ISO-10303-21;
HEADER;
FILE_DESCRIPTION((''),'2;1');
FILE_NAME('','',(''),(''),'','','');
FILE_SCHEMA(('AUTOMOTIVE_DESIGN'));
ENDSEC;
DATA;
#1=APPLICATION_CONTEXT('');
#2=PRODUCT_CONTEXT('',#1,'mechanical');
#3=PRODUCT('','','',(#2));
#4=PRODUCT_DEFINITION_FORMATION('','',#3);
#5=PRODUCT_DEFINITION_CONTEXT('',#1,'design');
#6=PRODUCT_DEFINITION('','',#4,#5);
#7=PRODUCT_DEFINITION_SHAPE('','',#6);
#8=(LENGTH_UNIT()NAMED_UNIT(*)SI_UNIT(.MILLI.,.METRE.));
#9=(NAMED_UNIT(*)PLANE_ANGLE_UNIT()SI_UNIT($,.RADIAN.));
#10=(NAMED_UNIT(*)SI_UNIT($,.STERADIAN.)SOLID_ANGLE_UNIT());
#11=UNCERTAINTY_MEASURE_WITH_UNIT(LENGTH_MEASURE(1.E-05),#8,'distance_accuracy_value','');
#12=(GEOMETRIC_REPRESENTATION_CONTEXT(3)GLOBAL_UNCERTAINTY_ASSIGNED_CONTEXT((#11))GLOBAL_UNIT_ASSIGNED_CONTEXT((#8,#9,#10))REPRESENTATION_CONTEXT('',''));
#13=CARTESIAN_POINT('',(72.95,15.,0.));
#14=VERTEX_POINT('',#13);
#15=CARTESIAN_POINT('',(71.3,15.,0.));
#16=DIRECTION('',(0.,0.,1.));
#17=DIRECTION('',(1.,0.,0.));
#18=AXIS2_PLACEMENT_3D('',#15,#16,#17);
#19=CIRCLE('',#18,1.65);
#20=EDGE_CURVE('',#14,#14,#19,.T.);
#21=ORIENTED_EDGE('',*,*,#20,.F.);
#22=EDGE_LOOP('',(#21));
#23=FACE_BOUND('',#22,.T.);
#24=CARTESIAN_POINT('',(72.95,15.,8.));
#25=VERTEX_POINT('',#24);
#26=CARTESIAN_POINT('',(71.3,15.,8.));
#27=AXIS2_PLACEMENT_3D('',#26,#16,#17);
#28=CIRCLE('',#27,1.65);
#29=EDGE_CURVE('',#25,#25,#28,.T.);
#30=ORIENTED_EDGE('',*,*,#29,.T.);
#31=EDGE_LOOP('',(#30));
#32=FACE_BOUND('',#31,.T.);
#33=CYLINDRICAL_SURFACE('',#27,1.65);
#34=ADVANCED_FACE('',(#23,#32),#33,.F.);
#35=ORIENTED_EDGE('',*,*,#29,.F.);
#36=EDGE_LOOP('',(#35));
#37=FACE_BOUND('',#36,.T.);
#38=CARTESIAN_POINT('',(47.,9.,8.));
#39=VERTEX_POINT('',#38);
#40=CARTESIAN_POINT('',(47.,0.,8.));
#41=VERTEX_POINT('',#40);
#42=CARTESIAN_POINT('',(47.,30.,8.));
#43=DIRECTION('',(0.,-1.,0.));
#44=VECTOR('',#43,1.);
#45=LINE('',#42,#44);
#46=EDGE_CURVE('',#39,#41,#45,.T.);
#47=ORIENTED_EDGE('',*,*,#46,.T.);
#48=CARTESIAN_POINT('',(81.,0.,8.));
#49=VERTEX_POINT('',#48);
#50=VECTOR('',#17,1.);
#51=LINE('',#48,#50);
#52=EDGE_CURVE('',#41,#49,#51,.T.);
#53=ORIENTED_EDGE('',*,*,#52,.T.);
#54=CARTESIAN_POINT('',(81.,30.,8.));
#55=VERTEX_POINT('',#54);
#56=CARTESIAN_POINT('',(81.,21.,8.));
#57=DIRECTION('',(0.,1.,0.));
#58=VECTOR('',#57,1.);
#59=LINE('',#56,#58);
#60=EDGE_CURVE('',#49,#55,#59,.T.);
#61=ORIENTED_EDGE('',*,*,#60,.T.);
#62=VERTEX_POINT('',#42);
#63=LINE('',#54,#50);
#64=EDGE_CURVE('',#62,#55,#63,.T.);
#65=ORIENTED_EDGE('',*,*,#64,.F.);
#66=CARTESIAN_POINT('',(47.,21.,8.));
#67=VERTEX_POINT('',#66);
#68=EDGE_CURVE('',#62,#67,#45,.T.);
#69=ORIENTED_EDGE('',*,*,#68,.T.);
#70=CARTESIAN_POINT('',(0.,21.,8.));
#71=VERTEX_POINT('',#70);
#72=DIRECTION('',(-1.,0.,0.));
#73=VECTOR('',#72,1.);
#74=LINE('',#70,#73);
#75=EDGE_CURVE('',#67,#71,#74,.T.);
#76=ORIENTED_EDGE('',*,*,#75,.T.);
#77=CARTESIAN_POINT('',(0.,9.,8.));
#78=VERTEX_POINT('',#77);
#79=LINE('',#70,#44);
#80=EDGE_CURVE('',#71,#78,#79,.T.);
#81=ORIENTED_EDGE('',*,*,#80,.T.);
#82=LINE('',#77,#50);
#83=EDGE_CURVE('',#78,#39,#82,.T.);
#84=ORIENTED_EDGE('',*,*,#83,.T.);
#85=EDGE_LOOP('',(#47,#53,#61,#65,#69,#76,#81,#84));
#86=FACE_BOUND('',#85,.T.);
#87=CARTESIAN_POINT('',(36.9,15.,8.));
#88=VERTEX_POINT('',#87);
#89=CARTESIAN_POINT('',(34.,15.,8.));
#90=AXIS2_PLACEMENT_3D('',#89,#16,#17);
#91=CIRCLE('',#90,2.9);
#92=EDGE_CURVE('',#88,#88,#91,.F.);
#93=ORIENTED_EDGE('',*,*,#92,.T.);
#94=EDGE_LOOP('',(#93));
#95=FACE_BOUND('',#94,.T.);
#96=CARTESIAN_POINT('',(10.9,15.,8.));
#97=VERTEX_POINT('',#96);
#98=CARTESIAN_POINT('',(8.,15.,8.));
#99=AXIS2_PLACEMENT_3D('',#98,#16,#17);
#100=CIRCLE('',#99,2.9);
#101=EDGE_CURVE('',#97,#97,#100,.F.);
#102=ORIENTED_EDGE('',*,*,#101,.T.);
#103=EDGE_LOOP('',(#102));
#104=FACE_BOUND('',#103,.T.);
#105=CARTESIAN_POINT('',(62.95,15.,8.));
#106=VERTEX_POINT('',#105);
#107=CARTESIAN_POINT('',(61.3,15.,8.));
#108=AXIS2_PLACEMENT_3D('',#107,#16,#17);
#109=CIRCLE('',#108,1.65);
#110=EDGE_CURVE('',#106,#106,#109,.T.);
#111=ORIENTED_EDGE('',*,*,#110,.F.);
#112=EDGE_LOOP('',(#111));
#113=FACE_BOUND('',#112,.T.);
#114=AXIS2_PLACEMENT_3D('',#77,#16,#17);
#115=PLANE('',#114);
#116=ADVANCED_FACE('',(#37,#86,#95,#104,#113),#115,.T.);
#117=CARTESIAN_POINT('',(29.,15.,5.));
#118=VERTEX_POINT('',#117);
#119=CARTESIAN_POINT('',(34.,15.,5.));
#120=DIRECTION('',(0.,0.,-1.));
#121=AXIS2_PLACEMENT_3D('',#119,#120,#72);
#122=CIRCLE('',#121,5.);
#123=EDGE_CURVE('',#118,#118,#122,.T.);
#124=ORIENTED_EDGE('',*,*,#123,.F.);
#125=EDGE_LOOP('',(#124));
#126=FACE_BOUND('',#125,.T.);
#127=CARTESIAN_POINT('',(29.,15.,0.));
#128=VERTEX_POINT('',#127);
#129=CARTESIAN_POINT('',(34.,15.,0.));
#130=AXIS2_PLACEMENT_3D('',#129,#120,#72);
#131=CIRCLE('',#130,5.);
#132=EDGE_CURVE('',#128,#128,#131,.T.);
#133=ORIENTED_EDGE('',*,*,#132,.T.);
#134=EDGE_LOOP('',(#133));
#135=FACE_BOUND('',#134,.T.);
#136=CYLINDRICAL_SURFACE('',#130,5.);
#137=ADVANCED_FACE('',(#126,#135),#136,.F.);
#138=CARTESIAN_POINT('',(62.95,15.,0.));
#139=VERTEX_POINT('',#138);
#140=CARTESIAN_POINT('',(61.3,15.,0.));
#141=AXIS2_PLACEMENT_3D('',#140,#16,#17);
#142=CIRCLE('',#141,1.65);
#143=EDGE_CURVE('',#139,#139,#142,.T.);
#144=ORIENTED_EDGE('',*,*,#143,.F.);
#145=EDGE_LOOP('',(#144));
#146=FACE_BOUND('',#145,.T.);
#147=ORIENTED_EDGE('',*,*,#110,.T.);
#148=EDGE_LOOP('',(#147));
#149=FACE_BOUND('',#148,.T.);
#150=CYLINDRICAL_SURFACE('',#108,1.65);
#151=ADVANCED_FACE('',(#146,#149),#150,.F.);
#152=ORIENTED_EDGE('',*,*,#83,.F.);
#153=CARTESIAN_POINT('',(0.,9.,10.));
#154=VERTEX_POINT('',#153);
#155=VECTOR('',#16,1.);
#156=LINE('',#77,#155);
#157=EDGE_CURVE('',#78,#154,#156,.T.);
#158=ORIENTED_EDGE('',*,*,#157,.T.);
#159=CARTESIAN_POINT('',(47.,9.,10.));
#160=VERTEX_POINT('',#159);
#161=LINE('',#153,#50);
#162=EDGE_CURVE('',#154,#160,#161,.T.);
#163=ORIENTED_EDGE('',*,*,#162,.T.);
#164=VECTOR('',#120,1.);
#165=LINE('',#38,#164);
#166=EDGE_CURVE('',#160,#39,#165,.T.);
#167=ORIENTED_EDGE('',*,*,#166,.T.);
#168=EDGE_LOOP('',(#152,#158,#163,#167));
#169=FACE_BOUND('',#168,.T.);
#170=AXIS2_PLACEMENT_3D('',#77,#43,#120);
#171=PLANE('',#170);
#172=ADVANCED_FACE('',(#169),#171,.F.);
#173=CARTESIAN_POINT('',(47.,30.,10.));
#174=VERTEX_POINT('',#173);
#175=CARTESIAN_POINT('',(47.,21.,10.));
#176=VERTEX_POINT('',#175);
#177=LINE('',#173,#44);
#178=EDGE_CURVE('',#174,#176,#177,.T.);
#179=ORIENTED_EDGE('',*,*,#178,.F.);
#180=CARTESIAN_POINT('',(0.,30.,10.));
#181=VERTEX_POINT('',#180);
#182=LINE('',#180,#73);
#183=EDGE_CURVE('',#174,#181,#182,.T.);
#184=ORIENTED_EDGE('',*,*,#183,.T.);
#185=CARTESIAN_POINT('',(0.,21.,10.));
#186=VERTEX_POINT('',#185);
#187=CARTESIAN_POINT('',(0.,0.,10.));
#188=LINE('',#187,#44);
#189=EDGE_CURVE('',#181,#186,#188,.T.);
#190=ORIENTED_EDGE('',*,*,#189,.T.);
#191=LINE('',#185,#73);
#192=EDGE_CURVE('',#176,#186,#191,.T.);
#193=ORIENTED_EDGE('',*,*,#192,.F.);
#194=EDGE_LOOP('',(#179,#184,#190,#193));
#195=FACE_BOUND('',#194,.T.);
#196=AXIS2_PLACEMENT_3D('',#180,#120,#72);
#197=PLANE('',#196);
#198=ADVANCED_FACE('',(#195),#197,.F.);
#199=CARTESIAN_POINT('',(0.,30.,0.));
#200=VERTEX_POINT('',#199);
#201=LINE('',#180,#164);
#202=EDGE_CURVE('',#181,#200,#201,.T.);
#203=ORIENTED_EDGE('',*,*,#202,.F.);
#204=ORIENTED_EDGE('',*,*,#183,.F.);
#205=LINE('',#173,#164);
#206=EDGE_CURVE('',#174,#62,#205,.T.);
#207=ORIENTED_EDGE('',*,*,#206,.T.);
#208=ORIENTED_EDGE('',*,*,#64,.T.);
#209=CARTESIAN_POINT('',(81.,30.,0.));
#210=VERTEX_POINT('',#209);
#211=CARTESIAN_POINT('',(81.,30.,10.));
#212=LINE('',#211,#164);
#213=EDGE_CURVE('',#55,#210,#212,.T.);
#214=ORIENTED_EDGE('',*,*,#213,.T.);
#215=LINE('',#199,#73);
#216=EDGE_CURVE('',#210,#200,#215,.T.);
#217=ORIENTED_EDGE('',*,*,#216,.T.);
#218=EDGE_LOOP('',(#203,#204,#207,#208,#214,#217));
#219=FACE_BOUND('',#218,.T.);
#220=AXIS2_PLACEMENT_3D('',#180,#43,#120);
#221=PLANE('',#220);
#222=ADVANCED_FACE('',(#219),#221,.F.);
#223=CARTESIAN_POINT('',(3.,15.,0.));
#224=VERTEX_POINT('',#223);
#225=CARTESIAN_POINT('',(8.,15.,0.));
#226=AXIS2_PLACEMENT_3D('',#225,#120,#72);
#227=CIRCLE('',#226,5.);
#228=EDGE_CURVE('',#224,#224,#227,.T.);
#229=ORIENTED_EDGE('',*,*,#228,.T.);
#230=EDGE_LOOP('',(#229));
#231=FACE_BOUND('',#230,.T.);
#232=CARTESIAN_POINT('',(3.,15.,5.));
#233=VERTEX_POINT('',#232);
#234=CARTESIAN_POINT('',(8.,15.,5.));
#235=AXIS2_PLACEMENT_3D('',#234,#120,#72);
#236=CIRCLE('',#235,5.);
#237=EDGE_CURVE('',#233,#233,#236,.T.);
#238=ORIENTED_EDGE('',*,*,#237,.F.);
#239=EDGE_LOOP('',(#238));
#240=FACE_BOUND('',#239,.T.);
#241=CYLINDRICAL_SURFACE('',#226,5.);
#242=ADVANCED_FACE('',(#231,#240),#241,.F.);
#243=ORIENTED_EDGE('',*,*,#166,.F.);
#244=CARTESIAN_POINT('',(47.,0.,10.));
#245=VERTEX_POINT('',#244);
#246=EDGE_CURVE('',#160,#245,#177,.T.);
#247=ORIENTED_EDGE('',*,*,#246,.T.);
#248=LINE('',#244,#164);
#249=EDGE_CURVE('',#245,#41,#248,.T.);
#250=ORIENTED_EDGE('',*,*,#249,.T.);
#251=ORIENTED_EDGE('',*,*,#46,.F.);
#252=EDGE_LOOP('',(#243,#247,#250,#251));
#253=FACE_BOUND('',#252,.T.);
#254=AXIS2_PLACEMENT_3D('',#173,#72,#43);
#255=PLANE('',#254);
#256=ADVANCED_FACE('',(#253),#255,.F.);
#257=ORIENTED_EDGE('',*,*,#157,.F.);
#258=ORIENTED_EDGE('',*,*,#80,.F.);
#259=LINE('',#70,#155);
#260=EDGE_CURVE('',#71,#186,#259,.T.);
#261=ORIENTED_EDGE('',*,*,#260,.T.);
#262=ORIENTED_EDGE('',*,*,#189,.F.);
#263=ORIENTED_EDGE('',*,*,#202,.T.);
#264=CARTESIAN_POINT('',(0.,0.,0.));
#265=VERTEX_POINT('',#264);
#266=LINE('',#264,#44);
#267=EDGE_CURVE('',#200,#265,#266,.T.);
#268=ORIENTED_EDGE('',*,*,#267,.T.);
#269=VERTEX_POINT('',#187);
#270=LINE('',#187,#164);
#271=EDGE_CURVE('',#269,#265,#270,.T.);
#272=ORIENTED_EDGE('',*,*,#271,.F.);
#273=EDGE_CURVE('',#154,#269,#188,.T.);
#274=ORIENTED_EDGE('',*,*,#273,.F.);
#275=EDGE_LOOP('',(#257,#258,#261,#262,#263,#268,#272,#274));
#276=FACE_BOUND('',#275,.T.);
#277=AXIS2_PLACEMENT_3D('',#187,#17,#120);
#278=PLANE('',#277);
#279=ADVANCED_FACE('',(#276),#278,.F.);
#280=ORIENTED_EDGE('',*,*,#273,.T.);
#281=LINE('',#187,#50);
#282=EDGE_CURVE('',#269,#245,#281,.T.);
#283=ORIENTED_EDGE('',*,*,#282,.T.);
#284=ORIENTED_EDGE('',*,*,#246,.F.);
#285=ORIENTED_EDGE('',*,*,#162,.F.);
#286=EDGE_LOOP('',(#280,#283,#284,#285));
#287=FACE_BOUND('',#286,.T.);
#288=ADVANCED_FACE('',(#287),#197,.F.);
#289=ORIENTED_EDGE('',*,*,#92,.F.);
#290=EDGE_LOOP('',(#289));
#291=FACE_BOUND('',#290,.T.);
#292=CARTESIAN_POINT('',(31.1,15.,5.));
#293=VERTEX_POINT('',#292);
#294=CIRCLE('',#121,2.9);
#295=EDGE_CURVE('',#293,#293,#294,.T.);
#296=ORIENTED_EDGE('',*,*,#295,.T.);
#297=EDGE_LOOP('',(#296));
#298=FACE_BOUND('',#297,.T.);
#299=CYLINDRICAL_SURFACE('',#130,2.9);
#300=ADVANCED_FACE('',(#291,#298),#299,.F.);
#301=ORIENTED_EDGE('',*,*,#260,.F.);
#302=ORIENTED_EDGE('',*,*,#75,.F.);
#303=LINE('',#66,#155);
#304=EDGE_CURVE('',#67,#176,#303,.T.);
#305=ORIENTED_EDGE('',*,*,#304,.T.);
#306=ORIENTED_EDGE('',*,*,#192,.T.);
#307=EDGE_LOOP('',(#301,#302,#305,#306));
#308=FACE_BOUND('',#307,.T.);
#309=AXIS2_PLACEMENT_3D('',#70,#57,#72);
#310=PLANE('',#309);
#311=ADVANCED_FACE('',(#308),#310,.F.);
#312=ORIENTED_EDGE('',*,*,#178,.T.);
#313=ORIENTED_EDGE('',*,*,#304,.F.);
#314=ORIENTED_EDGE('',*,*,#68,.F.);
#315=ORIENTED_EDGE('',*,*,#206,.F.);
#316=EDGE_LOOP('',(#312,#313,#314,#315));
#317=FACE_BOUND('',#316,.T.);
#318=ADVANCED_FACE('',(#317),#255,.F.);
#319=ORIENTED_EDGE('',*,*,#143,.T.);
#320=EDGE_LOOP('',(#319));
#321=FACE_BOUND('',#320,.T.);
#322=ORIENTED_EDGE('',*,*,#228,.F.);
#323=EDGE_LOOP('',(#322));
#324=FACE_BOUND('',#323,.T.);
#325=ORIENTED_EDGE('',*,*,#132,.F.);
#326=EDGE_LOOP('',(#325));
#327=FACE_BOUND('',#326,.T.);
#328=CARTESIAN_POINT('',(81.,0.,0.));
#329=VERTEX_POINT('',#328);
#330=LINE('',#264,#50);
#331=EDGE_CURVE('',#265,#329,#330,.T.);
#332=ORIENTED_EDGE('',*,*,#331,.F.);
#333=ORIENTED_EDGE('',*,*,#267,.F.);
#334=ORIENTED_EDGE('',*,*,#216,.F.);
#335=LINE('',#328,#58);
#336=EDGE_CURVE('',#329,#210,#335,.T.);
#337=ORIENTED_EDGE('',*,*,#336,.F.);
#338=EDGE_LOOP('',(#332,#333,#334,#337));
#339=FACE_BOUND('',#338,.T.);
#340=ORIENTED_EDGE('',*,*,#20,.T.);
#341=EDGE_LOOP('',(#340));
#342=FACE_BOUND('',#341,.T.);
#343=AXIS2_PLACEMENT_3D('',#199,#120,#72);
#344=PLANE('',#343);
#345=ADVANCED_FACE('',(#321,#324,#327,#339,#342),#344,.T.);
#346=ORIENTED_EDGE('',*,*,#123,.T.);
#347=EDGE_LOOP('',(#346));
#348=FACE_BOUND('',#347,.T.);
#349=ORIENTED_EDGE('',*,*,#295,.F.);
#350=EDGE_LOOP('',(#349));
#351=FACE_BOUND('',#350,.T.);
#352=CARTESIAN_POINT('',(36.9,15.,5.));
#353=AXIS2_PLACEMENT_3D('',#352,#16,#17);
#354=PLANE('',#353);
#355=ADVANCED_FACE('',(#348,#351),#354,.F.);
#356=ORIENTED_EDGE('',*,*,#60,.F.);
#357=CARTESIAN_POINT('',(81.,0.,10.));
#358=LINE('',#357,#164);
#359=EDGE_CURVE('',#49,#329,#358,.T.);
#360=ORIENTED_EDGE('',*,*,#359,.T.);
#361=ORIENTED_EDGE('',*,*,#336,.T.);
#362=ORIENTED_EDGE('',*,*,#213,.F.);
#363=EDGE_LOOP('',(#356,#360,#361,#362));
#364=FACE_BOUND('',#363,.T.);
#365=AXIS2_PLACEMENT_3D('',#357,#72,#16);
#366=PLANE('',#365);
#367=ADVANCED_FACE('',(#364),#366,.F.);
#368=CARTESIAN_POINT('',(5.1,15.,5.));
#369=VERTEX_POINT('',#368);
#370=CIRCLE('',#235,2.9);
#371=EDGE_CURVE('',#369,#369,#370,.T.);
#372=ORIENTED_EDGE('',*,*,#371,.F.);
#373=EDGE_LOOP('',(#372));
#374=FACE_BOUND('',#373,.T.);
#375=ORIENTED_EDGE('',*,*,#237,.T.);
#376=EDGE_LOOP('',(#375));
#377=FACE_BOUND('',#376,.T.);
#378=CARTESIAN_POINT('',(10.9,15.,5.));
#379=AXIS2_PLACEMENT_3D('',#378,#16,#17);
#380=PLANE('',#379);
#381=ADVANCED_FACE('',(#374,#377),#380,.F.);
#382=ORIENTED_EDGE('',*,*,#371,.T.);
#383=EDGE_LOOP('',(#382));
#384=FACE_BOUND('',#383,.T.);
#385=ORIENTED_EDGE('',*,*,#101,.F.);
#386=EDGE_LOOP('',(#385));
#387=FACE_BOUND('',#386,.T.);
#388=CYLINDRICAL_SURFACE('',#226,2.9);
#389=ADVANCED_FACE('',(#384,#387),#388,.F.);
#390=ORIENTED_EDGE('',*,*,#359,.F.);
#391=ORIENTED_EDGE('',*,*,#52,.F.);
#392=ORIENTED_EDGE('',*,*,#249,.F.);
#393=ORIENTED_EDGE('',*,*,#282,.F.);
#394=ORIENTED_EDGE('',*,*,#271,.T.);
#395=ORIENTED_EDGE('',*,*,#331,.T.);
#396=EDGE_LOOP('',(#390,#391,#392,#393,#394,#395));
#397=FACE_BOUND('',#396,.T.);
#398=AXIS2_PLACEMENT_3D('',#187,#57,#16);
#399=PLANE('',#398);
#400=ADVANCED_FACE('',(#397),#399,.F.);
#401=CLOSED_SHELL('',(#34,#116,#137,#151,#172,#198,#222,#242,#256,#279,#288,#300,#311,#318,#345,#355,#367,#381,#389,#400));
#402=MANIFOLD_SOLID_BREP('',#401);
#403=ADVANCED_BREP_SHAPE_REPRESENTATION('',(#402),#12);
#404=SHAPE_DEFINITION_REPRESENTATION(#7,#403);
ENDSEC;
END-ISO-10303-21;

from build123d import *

# Parameters (mm, degrees)
SKETCH_1_W                   = 81
SKETCH_1_H                   = 30
EXTRUDE_1_DEPTH              = 10
HOLE_WIZARD_M5_1_D           = 5.8
HOLE_WIZARD_M5_1_CBORE_D     = 10
HOLE_WIZARD_M5_1_CBORE_DEPTH = 5
SKETCH_4_W                   = 81
SKETCH_4_H                   = 12
CUT_EXTRUDE_1_DEPTH          = 2
CUT_EXTRUDE_2_DEPTH          = 85.273364713
CUT_EXTRUDE_2_DEPTH_BACK     = 85.273364713
SKETCH_5_W                   = 34
SKETCH_5_H                   = 2
HOLE_WIZARD_M4_1_D           = 3.3


with BuildPart() as part:
    # 草图1 → 凸台-拉伸1 (new body)
    with BuildSketch(Plane.XY):
        with Locations((40.5, 15)):
            Rectangle(SKETCH_1_W, SKETCH_1_H)
    extrude(amount=EXTRUDE_1_DEPTH)

    # M5 六角凹头螺钉的柱形沉头孔1 (through all)
    with Locations(Plane(origin=(0, 0, 0), x_dir=(-1, 0, 0), z_dir=(0, 0, -1))):
        with Locations((-34, 15), (-8, 15)):
            CounterBoreHole(HOLE_WIZARD_M5_1_D / 2, HOLE_WIZARD_M5_1_CBORE_D / 2, HOLE_WIZARD_M5_1_CBORE_DEPTH)

    # 草图4 → 切除-拉伸1 (cut)
    with BuildSketch(Plane.XY.offset(10)):
        with Locations((40.5, 15)):
            Rectangle(SKETCH_4_W, SKETCH_4_H)
    extrude(amount=-CUT_EXTRUDE_1_DEPTH, mode=Mode.SUBTRACT)

    # 草图5 → 切除-拉伸2 (cut, two sides: drawn at the far end of the back side and taken through both)
    with BuildSketch(Plane.XZ.offset(-21).offset(-CUT_EXTRUDE_2_DEPTH_BACK)):
        with Locations((64, 9)):
            Rectangle(SKETCH_5_W, SKETCH_5_H)
    extrude(amount=CUT_EXTRUDE_2_DEPTH + CUT_EXTRUDE_2_DEPTH_BACK, mode=Mode.SUBTRACT)

    # M4 螺纹孔1 (through all)
    with Locations(Plane.XY.offset(8)):
        with Locations((71.3, 15), (61.3, 15)):
            Hole(HOLE_WIZARD_M4_1_D / 2)


solid = part.part
